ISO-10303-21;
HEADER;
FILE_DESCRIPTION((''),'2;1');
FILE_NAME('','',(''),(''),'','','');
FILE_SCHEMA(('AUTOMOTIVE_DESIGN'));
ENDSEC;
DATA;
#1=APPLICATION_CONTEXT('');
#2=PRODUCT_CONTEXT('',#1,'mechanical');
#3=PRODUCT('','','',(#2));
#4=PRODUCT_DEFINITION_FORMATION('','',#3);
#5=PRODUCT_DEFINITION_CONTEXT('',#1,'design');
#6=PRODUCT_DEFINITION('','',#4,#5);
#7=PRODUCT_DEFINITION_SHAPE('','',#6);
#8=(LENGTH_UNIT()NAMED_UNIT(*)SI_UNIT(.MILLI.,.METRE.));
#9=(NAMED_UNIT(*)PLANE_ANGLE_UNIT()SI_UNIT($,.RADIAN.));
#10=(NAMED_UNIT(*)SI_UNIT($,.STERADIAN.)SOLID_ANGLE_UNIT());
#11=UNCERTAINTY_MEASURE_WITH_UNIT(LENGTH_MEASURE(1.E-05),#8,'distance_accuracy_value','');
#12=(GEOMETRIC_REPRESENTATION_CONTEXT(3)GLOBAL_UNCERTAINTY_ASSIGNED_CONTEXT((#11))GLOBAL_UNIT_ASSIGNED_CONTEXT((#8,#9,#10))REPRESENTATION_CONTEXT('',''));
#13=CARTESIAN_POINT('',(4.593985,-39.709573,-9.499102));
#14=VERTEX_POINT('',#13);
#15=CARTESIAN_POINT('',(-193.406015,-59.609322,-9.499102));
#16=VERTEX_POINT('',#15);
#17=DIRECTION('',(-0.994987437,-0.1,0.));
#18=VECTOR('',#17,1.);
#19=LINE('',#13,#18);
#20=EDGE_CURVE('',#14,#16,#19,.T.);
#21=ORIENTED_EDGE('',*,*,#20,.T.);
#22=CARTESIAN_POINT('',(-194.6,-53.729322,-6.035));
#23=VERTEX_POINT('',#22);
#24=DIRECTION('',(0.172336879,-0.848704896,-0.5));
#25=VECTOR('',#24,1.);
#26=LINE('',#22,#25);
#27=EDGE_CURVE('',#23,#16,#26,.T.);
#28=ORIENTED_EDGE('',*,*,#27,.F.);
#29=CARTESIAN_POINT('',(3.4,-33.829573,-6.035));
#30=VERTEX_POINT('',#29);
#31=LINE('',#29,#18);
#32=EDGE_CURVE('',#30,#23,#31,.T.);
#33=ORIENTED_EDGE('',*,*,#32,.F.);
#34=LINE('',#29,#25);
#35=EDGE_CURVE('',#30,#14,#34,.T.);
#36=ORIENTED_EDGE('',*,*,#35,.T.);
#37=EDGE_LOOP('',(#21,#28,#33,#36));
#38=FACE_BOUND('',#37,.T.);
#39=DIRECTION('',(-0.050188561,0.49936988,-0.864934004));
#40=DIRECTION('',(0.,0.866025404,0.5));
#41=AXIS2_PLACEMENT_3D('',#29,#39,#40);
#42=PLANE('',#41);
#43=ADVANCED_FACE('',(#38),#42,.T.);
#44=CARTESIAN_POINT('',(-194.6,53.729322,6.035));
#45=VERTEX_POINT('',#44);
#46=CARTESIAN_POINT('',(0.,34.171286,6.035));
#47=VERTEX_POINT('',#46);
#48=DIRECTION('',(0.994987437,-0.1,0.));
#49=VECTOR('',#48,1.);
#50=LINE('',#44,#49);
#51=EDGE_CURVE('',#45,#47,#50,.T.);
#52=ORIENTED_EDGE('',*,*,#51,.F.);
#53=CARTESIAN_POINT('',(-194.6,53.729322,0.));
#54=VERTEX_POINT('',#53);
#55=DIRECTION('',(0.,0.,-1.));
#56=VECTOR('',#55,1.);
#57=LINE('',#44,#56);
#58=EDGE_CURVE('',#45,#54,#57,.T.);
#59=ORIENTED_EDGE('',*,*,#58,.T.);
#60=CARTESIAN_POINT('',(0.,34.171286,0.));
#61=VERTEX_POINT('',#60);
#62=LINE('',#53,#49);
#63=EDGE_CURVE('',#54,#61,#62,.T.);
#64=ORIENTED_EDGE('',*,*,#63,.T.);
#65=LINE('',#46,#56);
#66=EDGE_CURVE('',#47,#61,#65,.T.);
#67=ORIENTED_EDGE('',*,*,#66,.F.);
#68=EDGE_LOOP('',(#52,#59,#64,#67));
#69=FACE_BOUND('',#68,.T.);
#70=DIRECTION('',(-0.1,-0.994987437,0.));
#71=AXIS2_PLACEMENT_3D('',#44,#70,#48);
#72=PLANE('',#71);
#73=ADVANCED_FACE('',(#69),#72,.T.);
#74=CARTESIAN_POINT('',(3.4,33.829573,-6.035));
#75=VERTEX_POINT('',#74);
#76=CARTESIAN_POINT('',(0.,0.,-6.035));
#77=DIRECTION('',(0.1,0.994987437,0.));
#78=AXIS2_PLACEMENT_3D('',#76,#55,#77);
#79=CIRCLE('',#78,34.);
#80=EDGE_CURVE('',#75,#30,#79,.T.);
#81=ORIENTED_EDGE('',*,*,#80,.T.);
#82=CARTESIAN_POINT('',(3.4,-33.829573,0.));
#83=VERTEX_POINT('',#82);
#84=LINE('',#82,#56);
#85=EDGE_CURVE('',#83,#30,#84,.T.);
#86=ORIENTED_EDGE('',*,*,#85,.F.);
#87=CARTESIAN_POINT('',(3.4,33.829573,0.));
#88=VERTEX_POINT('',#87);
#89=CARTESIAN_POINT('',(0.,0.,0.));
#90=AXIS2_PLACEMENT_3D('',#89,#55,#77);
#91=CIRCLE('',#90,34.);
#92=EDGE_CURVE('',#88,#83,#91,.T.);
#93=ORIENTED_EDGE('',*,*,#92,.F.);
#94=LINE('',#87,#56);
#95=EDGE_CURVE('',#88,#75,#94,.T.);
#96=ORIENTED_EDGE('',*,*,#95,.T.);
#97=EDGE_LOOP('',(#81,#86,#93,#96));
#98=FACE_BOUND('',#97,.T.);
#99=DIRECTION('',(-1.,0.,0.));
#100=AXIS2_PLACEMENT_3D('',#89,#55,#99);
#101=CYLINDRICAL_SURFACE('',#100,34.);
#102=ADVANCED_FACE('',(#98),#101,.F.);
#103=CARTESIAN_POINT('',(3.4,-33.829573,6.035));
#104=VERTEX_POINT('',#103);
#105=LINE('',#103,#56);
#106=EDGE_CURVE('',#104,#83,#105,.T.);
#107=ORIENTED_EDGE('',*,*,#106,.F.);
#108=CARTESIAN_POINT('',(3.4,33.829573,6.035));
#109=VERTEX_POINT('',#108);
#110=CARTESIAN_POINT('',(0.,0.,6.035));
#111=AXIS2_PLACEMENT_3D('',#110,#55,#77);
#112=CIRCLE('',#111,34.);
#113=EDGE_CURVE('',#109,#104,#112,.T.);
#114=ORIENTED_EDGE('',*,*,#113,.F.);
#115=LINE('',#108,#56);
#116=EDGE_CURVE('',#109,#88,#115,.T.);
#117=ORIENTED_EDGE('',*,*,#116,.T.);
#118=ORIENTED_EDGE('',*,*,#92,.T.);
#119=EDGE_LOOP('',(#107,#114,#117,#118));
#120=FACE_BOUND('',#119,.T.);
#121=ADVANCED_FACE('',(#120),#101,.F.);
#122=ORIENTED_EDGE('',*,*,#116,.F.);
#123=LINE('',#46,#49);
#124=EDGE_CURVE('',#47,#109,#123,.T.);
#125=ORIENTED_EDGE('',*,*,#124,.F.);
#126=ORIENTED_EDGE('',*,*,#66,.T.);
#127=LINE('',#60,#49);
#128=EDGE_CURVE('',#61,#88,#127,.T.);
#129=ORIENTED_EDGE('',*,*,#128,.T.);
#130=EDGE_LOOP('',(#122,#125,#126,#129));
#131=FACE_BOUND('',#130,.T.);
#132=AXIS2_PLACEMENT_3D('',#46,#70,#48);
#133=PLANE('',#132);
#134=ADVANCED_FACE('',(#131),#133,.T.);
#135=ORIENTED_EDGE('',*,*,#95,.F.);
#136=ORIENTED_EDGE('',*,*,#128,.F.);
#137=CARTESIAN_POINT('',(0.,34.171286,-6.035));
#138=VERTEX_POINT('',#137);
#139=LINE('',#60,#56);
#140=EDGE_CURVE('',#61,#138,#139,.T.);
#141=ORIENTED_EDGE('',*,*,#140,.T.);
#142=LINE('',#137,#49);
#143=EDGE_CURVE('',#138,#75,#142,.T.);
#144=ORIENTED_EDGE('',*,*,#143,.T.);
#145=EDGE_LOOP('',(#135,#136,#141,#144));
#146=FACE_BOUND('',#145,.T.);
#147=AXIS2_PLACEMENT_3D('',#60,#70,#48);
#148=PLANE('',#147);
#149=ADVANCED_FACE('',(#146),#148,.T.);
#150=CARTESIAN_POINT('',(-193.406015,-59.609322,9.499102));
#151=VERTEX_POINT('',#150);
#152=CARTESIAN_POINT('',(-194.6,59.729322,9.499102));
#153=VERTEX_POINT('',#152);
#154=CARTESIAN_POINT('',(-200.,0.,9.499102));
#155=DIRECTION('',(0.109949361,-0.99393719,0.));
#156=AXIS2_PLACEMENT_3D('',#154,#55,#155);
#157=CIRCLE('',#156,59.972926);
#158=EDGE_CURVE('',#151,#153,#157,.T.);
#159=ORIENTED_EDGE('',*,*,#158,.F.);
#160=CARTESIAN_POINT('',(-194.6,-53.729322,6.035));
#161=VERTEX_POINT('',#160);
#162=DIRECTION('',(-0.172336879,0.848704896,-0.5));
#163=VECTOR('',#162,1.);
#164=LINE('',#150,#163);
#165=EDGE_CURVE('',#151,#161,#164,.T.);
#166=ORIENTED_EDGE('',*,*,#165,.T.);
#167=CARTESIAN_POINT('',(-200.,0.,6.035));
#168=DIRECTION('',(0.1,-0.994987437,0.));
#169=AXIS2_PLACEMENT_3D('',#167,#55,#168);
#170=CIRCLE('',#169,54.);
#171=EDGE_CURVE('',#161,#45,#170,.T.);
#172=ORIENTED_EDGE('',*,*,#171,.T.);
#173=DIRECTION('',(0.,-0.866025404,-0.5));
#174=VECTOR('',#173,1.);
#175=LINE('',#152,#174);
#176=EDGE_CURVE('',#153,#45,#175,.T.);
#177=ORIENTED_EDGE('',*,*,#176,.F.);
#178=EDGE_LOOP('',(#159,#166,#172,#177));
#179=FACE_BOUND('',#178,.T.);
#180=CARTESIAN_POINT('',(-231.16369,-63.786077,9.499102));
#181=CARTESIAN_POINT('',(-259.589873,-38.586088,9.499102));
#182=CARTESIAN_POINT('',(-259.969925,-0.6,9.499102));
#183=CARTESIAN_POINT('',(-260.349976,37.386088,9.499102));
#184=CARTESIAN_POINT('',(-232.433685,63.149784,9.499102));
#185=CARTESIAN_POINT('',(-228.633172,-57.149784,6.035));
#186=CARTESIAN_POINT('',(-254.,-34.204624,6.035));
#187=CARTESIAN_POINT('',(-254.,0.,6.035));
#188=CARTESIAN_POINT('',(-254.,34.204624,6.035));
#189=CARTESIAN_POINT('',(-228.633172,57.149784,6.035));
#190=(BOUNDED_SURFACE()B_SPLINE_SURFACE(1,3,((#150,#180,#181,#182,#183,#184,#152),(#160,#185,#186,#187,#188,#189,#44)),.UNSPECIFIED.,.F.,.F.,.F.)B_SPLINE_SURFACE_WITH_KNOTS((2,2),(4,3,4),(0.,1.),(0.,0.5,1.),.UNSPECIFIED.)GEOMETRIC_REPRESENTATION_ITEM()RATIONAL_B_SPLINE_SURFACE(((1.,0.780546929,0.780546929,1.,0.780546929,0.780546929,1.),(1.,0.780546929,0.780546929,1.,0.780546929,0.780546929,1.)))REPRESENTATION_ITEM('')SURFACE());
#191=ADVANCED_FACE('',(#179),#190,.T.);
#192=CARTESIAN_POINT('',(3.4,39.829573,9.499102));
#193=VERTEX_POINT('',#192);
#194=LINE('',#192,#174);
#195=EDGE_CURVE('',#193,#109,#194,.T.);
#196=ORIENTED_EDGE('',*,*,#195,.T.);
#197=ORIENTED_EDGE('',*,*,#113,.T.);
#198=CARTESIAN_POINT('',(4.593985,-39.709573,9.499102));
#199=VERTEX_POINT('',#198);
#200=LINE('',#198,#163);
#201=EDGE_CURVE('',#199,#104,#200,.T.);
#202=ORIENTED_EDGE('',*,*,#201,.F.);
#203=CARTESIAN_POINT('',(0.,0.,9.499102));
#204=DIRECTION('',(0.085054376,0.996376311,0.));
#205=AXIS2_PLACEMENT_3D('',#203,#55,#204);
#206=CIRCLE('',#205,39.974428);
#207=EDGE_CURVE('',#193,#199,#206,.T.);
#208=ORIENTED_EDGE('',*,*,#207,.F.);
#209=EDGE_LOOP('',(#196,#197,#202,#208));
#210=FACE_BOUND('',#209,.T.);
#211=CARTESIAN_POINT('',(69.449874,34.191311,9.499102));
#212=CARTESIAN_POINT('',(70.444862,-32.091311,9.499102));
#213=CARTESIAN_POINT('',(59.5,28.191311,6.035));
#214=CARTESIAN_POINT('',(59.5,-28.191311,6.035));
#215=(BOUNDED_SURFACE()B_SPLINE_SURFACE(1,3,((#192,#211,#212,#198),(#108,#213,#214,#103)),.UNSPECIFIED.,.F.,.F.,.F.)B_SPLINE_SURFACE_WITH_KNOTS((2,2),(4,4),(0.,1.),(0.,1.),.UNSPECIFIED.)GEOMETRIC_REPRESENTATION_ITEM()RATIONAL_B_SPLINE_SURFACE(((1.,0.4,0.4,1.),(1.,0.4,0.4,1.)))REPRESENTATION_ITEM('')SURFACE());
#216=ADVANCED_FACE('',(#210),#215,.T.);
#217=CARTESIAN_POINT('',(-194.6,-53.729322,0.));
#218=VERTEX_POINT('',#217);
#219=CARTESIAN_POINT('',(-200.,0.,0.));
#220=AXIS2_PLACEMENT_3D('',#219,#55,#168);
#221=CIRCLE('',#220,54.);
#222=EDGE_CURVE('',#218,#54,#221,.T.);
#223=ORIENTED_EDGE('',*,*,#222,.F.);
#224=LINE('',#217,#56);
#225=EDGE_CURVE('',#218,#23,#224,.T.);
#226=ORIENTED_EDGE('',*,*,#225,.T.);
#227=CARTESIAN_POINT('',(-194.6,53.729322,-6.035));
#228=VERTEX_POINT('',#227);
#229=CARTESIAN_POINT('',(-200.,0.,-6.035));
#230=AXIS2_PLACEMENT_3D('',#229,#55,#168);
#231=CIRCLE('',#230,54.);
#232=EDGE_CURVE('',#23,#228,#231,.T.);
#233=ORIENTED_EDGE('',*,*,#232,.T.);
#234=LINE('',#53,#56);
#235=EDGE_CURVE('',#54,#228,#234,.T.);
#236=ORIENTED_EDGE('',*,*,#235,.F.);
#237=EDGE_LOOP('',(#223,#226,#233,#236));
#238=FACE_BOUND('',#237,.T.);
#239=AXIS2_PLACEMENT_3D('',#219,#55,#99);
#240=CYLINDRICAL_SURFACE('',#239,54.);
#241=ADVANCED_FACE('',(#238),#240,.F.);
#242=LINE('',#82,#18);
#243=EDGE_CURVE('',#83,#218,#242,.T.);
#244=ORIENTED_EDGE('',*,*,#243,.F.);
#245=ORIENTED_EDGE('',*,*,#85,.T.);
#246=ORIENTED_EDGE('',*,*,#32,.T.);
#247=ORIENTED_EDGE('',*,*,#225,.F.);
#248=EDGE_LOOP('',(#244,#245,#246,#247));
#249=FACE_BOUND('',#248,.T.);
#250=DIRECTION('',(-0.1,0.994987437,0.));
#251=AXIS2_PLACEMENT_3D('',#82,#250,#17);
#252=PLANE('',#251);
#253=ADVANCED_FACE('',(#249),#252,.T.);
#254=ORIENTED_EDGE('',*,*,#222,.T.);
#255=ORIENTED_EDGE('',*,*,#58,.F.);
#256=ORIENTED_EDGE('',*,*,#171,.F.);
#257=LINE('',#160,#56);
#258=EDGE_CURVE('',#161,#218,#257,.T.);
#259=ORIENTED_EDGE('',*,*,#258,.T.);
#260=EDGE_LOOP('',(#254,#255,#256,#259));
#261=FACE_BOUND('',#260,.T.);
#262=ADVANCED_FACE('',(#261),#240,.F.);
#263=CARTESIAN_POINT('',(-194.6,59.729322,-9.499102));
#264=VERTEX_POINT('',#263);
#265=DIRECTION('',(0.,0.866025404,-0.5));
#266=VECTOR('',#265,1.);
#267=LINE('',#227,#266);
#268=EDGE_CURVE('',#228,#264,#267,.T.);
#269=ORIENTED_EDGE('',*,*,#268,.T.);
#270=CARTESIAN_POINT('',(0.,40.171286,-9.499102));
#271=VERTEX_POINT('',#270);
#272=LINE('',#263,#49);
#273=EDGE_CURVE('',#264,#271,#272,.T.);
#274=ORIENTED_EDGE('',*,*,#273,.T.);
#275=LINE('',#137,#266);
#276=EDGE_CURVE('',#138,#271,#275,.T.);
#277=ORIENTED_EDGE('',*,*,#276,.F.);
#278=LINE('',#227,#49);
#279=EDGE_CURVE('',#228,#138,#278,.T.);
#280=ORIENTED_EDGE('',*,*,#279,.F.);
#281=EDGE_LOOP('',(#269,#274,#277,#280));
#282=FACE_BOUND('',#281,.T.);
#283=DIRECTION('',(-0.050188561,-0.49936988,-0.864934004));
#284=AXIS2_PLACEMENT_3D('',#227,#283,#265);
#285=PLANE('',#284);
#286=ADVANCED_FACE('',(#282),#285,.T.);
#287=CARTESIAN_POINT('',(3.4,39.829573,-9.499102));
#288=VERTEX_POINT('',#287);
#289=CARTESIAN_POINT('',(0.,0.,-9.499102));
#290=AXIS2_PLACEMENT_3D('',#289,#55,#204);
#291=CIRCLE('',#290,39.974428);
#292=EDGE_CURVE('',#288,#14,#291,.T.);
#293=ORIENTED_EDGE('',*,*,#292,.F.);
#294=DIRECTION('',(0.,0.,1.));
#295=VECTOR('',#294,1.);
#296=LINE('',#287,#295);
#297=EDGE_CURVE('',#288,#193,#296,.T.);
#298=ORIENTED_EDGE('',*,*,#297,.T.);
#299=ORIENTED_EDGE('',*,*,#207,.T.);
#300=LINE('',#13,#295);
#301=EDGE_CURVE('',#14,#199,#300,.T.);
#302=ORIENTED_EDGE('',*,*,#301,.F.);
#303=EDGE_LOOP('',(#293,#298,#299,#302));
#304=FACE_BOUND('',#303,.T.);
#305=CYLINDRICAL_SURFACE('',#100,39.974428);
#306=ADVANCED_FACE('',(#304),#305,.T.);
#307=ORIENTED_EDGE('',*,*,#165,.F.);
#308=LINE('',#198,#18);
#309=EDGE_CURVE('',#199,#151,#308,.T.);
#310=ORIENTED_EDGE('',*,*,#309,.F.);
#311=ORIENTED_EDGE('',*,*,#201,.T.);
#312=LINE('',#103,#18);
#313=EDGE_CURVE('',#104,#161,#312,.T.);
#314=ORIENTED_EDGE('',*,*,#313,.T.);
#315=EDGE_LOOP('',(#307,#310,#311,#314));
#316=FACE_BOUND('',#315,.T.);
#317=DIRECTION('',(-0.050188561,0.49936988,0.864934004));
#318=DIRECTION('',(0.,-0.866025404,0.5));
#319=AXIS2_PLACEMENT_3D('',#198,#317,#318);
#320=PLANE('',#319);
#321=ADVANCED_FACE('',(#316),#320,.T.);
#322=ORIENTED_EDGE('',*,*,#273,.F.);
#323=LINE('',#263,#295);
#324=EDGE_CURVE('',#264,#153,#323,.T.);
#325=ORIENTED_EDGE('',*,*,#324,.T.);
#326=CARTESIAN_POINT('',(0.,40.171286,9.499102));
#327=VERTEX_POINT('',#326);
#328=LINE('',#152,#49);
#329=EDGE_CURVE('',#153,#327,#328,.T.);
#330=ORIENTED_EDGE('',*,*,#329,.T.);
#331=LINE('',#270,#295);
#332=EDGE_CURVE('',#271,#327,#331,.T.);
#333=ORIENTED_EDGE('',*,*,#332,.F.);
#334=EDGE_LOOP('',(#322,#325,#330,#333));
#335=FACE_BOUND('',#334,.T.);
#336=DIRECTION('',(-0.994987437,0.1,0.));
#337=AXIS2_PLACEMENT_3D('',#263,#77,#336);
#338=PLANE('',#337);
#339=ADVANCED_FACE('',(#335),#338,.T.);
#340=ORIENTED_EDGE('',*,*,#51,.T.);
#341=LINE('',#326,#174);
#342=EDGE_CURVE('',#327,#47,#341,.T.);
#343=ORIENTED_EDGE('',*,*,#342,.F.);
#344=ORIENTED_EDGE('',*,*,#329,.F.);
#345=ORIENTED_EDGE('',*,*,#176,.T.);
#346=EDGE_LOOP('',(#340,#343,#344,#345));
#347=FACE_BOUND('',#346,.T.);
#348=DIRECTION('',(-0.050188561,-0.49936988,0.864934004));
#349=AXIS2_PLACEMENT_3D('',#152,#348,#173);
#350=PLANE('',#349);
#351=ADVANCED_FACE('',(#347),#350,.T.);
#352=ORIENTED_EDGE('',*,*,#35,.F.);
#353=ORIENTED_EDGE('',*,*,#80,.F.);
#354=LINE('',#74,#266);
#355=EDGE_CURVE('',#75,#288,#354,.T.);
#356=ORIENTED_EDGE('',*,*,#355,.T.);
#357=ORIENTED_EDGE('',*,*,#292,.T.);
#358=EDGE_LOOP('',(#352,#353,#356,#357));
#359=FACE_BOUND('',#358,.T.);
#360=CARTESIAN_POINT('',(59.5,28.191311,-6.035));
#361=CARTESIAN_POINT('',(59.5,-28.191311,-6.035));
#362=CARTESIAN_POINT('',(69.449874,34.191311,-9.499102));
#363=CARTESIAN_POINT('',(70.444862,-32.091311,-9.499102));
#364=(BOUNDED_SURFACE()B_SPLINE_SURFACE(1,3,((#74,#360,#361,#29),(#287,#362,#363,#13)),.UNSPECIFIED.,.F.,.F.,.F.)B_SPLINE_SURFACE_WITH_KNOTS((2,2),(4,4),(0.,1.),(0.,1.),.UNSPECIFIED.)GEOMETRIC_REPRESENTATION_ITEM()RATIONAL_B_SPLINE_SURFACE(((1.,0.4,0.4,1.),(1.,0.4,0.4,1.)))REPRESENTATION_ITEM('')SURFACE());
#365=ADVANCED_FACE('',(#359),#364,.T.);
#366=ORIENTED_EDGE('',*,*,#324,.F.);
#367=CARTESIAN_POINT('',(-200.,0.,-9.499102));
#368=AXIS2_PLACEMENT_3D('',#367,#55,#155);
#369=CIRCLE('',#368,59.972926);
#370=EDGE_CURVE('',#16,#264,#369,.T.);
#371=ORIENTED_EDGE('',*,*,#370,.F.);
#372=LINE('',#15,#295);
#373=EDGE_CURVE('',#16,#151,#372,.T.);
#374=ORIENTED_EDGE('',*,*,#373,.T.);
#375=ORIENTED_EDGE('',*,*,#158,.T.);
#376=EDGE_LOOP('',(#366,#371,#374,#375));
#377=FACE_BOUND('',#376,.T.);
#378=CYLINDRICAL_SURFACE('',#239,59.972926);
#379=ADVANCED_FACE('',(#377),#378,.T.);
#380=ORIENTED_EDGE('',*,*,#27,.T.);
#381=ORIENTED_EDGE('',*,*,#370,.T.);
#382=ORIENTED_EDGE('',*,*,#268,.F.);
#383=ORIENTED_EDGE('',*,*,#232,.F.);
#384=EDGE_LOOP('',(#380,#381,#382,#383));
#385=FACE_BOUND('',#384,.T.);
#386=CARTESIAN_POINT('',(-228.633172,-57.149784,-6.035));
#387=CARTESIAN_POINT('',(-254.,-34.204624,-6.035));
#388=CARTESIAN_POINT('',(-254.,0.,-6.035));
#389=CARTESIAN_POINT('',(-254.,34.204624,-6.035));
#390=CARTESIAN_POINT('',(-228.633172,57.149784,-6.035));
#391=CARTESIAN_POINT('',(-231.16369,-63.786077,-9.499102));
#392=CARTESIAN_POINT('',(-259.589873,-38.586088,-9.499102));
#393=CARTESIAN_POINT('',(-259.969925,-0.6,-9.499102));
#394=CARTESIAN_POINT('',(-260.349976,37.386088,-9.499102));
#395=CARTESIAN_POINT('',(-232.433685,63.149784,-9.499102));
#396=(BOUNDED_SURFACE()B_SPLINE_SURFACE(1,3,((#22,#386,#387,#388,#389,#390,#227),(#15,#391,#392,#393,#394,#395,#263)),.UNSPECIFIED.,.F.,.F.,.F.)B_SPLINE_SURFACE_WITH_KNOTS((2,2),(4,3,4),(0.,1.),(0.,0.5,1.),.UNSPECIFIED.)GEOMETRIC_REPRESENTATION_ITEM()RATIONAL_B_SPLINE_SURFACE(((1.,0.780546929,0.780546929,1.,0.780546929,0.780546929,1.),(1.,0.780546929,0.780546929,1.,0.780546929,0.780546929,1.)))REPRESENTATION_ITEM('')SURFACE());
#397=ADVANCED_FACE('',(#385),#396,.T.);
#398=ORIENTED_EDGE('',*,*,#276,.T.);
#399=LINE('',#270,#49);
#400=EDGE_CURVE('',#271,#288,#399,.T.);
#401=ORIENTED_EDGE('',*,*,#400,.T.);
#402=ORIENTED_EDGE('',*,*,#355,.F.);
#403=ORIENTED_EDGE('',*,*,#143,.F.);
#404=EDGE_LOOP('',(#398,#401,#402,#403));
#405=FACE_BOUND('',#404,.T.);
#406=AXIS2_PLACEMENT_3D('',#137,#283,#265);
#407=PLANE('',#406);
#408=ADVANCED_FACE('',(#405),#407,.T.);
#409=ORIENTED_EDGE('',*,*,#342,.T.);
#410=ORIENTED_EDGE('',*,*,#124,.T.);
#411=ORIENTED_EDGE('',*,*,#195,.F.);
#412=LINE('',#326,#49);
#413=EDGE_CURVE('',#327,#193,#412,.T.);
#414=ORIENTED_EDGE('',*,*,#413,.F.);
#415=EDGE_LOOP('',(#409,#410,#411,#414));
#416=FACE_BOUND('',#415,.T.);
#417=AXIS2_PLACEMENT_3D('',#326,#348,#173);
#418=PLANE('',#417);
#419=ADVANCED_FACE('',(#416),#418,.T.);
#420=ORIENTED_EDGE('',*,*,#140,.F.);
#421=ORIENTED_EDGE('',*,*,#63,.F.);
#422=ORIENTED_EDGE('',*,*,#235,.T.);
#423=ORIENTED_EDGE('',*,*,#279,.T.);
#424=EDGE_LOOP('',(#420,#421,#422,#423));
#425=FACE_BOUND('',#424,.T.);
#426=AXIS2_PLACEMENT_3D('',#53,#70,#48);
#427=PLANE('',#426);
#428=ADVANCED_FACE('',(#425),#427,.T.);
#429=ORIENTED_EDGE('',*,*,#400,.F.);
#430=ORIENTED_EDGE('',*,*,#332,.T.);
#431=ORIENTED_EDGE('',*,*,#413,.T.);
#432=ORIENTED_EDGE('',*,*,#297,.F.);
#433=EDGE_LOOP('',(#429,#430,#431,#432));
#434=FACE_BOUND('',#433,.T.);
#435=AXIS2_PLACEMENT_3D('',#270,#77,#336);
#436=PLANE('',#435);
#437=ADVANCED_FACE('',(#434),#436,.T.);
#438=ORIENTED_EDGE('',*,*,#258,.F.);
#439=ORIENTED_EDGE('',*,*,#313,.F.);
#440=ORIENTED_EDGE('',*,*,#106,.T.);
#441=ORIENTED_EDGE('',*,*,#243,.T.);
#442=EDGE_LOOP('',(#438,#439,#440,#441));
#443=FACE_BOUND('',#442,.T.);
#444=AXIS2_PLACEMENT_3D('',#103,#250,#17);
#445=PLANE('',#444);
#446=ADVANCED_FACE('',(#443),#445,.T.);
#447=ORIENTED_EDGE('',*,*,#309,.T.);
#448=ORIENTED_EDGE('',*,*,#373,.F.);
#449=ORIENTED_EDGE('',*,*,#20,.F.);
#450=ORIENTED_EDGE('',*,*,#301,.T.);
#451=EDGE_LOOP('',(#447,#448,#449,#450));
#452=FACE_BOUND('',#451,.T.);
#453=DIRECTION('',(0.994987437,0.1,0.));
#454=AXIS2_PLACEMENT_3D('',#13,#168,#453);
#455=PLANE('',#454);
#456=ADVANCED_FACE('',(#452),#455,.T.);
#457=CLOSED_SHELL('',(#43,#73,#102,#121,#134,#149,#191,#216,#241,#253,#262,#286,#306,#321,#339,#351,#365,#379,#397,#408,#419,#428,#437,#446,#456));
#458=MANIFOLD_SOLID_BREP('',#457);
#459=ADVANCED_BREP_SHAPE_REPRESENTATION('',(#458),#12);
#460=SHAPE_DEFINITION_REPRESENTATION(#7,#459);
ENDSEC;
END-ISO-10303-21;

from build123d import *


with BuildPart() as part:
    # Sweep1: sweep along a path in Sketch2
    with BuildLine(Plane.XY) as sweep1_path:
        Line((3.4, -33.829572862), (-194.6, -53.729321604))
        ThreePointArc((-194.6, -53.729321604), (-254, 0), (-194.6, 53.729321604))
        Line((-194.6, 53.729321604), (3.4, 33.829572862))
        ThreePointArc((3.4, 33.829572862), (34, 0), (3.4, -33.829572862))
    # Sketch4 → Sweep1 (sweep)
    with BuildSketch(Plane(origin=(0, 0, 0), x_dir=(0, 0, -1), z_dir=(1, 0, 0))):
        Polygon((0, 34.171285719), (6.035, 34.171285719), (9.499101615, 40.171285719), (-9.499101615, 40.171285719), (-6.035, 34.171285719), align=None)
    sweep(path=sweep1_path.line)


solid = part.part
